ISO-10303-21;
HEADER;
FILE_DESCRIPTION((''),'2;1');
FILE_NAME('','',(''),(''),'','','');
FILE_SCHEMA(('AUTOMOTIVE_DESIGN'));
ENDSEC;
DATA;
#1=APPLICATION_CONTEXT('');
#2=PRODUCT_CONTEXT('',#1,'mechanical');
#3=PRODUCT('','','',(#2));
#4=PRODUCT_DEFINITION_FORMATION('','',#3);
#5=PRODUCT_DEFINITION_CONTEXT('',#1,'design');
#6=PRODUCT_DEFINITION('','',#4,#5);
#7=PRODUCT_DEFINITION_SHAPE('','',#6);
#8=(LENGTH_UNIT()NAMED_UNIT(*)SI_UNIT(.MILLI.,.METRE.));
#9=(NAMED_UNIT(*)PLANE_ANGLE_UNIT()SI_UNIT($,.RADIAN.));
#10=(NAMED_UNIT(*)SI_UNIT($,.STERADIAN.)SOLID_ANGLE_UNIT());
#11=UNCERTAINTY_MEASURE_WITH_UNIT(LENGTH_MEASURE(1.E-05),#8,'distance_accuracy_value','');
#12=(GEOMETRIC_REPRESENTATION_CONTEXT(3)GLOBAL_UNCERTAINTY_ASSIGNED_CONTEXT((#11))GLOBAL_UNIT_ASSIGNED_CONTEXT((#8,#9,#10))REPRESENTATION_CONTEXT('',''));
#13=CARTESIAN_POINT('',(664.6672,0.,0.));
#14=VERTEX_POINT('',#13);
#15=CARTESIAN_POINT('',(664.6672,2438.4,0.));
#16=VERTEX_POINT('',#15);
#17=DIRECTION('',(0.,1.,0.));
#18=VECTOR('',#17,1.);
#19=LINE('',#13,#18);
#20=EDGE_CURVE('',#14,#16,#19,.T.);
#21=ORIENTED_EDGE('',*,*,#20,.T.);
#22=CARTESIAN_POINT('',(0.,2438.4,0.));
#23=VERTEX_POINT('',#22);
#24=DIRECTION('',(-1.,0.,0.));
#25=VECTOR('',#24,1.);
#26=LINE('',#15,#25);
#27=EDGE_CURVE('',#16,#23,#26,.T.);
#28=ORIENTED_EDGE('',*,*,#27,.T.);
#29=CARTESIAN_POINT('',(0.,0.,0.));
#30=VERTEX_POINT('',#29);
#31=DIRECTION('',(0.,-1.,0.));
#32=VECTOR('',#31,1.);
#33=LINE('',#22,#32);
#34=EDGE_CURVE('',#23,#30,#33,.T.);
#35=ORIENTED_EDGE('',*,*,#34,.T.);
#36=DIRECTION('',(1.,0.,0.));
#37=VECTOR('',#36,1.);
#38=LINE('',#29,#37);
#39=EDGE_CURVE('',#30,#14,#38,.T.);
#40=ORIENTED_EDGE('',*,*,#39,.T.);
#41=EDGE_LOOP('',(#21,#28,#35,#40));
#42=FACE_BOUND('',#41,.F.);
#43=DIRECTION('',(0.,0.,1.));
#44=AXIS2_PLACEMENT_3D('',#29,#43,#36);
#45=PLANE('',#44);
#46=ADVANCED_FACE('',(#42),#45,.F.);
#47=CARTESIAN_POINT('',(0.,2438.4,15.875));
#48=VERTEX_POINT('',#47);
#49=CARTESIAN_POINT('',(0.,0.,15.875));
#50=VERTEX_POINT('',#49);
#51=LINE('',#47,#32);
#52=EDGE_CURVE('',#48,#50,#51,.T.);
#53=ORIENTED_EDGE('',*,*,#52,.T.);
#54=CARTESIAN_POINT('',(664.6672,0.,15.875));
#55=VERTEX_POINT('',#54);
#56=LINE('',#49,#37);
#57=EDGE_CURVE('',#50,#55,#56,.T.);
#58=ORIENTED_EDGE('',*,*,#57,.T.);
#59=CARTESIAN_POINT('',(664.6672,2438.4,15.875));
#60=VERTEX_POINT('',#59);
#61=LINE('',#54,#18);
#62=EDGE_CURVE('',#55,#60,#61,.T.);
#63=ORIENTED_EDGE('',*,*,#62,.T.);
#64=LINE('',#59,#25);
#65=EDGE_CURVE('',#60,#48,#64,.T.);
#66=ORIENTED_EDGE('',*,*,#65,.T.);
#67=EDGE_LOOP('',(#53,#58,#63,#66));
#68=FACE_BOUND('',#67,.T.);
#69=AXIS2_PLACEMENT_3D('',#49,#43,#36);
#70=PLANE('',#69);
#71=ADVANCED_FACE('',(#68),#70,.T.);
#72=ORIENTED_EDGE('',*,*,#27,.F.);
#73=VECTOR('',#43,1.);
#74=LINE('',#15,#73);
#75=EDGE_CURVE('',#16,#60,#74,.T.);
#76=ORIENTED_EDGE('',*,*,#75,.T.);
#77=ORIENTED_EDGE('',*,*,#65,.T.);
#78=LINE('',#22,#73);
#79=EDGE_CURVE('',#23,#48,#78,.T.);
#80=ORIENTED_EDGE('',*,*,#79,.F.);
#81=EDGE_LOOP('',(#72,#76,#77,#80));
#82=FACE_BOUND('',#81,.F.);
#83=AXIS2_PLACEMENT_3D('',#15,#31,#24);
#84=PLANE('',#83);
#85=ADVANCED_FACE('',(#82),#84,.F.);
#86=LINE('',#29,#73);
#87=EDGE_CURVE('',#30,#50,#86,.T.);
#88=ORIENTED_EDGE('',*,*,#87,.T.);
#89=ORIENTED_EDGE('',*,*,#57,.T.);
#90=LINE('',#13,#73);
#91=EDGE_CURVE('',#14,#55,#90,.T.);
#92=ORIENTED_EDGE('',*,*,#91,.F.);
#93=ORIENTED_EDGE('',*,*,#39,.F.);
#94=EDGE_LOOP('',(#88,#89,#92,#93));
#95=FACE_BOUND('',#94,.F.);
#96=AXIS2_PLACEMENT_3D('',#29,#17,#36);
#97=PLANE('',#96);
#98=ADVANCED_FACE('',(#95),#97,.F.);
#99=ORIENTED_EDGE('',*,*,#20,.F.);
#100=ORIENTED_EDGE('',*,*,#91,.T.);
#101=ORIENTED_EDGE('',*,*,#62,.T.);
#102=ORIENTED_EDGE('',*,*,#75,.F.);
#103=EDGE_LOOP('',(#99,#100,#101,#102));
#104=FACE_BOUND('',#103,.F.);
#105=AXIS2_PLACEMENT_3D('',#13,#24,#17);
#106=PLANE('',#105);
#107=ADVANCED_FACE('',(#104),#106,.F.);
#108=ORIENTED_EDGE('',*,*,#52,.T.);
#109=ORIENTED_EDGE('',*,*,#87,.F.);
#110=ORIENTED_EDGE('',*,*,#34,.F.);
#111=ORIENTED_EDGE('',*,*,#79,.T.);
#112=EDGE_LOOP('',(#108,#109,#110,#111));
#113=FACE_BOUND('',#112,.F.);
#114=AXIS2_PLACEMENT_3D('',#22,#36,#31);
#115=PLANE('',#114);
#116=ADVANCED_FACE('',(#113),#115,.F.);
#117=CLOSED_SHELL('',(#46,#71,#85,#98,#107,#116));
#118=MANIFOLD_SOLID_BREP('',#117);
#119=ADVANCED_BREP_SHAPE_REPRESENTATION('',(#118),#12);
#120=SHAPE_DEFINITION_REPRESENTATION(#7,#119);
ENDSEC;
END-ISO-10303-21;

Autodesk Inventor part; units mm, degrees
ref_plane "YZ Plane" through (0, 0, 0) normal (1, 0, 0) x (0, 1, 0)
ref_plane "XZ Plane" through (0, 0, 0) normal (0, 1, 0) x (-1, 0, 0)
ref_plane "XY Plane" through (0, 0, 0) normal (0, 0, 1) x (1, 0, 0)
sketch "Sketch1" plane through (0, 0, 0) normal (0, 0, 1) x (1, 0, 0)
  line L0 (0, 0) -> (664.6672, 0)
  line L1 (664.6672, 0) -> (664.6672, 2438.4)
  line L2 (664.6672, 2438.4) -> (0, 2438.4)
  line L3 (0, 2438.4) -> (0, 0)
  dimension "d2" = 2438.4
  dimension "d3" = 664.6672
extrude "Extrusion1" add sketch "Sketch1" along normal blind 15.875
properties part number "DensGlass_With_Dimensions_25.5_x_96_Inches" material "Wood (Birch)"
